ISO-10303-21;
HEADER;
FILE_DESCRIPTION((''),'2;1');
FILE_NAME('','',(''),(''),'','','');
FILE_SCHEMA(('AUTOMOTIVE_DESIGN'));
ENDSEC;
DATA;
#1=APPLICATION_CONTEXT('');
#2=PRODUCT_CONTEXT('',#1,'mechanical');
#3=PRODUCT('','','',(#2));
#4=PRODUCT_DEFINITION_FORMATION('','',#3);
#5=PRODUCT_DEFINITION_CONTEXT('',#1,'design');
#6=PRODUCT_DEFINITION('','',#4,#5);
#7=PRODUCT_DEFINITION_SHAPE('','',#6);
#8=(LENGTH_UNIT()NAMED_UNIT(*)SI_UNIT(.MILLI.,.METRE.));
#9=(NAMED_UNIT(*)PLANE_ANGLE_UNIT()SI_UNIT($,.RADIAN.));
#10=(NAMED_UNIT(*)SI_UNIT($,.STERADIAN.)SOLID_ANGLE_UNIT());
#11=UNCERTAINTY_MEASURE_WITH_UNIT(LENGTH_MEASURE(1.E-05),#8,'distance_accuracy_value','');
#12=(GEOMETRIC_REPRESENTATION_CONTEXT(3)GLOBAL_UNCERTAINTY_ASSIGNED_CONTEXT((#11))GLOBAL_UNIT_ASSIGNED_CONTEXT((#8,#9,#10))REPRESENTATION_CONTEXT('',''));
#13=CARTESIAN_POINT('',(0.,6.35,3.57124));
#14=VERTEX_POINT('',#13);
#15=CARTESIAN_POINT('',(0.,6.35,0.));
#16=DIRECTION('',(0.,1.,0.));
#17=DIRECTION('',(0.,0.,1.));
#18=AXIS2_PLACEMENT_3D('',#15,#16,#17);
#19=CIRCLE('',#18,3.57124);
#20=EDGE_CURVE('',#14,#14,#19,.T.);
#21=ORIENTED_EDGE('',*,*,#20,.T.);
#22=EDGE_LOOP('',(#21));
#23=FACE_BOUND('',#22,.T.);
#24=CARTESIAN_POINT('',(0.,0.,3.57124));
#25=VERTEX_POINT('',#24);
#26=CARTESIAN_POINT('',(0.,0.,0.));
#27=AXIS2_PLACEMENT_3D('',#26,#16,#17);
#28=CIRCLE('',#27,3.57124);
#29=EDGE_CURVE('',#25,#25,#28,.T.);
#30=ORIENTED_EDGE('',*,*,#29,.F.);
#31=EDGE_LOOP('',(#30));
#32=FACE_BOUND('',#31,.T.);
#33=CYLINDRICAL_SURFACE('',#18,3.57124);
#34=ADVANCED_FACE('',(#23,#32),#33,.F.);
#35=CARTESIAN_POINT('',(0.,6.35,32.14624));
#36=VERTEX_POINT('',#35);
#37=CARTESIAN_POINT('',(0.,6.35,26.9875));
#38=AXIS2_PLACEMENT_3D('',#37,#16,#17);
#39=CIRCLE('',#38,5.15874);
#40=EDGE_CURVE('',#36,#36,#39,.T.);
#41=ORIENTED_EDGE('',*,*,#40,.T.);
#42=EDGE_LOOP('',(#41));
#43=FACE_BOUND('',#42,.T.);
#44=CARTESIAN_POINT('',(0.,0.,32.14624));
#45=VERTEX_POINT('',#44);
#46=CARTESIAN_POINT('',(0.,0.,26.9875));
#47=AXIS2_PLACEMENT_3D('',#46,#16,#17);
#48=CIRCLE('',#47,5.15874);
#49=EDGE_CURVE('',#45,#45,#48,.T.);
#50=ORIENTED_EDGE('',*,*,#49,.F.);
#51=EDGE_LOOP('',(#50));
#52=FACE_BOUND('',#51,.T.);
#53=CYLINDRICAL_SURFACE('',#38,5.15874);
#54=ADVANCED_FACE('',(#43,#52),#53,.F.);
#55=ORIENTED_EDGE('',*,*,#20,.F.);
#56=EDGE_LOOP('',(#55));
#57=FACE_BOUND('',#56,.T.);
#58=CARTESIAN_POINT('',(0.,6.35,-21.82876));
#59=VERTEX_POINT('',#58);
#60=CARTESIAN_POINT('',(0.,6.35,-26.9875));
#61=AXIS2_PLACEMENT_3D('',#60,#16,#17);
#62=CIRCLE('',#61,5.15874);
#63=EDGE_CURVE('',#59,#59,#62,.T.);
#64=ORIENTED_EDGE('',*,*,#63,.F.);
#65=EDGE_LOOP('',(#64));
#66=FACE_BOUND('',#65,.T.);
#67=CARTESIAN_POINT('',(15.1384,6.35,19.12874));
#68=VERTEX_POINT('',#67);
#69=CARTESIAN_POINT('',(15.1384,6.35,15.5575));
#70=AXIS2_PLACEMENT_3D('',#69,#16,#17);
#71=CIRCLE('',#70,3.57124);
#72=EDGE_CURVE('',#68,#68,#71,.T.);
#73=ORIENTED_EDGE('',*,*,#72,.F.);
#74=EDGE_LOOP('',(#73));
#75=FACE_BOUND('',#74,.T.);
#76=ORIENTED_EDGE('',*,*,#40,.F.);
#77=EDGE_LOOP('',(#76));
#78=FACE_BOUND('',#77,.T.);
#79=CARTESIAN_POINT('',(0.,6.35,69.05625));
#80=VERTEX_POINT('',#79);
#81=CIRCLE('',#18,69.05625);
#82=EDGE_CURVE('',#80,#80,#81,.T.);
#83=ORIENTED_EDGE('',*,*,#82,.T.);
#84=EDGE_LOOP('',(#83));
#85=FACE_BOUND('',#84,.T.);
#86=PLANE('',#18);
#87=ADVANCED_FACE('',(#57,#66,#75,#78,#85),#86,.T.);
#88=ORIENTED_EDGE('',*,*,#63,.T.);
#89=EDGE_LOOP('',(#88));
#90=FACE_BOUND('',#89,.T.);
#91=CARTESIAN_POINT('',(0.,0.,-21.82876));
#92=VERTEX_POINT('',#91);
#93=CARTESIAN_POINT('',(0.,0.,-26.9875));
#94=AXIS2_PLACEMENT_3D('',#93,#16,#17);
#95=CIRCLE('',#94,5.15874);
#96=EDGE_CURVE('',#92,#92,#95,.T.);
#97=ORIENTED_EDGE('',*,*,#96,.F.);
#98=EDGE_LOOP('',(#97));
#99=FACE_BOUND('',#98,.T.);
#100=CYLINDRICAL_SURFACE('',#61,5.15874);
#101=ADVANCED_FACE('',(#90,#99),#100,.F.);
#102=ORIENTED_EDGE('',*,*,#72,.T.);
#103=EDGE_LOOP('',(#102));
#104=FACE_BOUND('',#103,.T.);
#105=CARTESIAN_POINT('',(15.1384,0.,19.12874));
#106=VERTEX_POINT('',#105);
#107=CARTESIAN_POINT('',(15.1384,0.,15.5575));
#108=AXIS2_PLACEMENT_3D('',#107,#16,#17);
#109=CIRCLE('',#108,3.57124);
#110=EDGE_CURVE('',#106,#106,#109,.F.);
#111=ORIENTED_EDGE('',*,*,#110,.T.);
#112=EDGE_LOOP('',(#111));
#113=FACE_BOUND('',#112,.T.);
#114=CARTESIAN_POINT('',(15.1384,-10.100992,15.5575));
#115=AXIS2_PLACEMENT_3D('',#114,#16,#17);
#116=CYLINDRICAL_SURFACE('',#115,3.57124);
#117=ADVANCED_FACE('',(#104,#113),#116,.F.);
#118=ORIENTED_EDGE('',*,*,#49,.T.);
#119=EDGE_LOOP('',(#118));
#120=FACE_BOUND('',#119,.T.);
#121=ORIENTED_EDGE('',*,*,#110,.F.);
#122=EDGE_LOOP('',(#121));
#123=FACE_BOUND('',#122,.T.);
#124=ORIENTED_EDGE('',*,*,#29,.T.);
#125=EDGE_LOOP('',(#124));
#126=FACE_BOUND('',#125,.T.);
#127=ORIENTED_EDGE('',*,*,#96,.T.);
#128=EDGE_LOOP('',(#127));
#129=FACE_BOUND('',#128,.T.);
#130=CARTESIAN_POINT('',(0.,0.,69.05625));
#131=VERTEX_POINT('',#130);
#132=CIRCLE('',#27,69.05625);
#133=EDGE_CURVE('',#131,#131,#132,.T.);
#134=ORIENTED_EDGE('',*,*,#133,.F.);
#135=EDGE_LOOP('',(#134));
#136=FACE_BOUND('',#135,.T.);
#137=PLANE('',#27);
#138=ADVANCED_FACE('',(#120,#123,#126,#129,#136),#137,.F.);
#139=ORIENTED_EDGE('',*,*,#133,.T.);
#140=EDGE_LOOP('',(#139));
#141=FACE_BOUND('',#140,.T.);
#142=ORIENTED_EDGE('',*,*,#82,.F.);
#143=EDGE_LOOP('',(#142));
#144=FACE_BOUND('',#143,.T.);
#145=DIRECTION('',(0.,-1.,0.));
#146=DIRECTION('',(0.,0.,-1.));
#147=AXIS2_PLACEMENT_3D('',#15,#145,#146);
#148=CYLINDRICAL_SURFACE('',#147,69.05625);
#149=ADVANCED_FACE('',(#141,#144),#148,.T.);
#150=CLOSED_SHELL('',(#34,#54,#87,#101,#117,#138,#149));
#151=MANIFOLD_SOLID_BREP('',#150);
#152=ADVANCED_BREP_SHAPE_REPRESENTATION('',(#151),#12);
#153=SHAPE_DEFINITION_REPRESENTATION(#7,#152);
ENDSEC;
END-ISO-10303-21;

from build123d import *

# Parameters (mm, degrees)
SKETCH1_R               = 69.05625
BOSS_EXTRUDE1_DEPTH     = 6.35
F_1_4_CLEARANCE_HOLE1_D = 7.14248
F_3_8_CLEARANCE_HOLE1_D = 10.31748
SKETCH6_R               = 3.57124
CUT_EXTRUDE1_DEPTH      = 6.35


with BuildPart() as part:
    # Sketch1 → Boss-Extrude1 (new body)
    with BuildSketch(Plane(origin=(0, 0, 0), x_dir=(1, 0, 0), z_dir=(0, 1, 0))):
        Circle(SKETCH1_R)
    extrude(amount=BOSS_EXTRUDE1_DEPTH)

    # 1/4 Clearance Hole1 (through all)
    with Locations(Plane(origin=(0, 6.35, 0), x_dir=(1, 0, 0), z_dir=(0, 1, 0))):
        with Locations((0, 0)):
            Hole(F_1_4_CLEARANCE_HOLE1_D / 2)

    # 3/8 Clearance Hole1 (through all)
    with Locations(Plane(origin=(0, 6.35, 0), x_dir=(1, 0, 0), z_dir=(0, 1, 0))):
        with Locations((0, 26.9875), (0, -26.9875)):
            Hole(F_3_8_CLEARANCE_HOLE1_D / 2)

    # Sketch6 → Cut-Extrude1 (cut)
    with BuildSketch(Plane(origin=(0, 6.35, 0), x_dir=(1, 0, 0), z_dir=(0, 1, 0))):
        with Locations((15.1384, -15.5575)):
            Circle(SKETCH6_R)
    extrude(amount=-CUT_EXTRUDE1_DEPTH, mode=Mode.SUBTRACT)


solid = part.part
